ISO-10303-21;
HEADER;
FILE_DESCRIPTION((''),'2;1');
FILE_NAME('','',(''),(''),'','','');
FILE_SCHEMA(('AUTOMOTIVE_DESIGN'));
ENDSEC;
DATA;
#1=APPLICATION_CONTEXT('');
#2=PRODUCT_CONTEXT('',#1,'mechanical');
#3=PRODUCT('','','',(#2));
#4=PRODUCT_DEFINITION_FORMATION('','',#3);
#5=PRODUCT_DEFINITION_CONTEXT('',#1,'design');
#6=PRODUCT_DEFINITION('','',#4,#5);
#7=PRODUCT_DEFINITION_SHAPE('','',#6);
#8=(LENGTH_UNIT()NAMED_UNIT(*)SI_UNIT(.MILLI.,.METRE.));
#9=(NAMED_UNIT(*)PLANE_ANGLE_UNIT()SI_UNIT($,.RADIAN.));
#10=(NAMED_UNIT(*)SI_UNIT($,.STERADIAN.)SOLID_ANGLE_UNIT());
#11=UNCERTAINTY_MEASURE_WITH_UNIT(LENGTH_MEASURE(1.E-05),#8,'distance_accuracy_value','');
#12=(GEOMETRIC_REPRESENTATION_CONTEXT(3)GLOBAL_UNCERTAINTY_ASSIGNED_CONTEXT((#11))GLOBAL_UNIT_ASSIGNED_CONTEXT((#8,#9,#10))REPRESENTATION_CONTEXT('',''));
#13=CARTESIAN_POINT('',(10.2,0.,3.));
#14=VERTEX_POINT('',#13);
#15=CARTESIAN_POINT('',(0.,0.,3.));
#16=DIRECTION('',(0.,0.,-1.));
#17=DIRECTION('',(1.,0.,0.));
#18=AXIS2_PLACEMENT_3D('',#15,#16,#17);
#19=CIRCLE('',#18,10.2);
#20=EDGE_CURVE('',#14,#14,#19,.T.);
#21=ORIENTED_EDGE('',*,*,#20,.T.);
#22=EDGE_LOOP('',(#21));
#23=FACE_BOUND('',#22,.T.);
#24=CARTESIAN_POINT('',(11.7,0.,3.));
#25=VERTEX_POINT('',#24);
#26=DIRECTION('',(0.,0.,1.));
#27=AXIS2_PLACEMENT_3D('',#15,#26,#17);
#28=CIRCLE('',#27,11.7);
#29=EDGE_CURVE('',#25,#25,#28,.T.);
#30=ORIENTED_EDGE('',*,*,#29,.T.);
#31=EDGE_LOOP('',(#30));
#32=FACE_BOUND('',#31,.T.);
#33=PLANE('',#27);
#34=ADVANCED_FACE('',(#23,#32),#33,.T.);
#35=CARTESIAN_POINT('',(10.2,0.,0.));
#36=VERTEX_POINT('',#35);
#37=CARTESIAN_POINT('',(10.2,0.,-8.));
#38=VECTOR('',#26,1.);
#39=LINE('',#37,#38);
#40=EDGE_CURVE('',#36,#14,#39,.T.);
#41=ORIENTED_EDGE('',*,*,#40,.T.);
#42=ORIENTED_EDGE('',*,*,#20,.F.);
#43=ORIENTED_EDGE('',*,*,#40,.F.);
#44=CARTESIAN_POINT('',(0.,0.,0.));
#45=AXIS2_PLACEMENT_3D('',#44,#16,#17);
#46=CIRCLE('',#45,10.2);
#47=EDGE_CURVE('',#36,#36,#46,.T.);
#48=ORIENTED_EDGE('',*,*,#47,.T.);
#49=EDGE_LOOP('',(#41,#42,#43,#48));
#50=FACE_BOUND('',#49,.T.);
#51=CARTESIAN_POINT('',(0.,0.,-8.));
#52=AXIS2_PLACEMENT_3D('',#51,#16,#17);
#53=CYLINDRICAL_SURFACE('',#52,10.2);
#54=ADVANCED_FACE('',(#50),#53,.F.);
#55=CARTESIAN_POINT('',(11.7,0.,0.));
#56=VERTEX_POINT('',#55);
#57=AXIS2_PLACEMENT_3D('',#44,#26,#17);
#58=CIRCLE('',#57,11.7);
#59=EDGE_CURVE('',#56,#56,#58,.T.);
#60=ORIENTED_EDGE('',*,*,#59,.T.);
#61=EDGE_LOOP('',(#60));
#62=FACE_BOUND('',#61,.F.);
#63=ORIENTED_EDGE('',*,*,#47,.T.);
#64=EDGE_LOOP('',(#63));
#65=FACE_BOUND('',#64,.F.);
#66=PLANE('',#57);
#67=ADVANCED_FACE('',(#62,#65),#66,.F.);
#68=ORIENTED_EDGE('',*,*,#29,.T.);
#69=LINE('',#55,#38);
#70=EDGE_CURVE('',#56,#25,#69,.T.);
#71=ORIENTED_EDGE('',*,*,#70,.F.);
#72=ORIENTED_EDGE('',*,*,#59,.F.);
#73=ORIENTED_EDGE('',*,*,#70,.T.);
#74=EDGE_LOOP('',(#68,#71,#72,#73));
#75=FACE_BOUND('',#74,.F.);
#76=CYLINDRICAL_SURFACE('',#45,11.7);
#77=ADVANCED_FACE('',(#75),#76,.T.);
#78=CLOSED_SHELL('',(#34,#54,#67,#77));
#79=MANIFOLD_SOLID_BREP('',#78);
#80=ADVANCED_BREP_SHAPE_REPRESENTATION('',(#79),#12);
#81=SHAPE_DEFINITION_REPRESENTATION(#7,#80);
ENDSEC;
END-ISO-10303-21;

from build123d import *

# Parameters (mm, degrees)
CYLINDER_R        = 10.2
CYLINDER_DEPTH    = 18
CYLINDER001_R     = 11.7
CYLINDER001_DEPTH = 3


with BuildPart() as cilindro_interior:
    # Cylinder → Cylinder (new body)
    with BuildSketch(Plane.XY.offset(-8)):
        Circle(CYLINDER_R)
    extrude(amount=CYLINDER_DEPTH)


with BuildPart() as anillo:
    # Cylinder001 → Cylinder001 (new body)
    with BuildSketch(Plane.XY):
        Circle(CYLINDER001_R)
    extrude(amount=CYLINDER001_DEPTH)

    # Cut: cut cilindro-interior
    add(cilindro_interior.part, mode=Mode.SUBTRACT)


solid = anillo.part
